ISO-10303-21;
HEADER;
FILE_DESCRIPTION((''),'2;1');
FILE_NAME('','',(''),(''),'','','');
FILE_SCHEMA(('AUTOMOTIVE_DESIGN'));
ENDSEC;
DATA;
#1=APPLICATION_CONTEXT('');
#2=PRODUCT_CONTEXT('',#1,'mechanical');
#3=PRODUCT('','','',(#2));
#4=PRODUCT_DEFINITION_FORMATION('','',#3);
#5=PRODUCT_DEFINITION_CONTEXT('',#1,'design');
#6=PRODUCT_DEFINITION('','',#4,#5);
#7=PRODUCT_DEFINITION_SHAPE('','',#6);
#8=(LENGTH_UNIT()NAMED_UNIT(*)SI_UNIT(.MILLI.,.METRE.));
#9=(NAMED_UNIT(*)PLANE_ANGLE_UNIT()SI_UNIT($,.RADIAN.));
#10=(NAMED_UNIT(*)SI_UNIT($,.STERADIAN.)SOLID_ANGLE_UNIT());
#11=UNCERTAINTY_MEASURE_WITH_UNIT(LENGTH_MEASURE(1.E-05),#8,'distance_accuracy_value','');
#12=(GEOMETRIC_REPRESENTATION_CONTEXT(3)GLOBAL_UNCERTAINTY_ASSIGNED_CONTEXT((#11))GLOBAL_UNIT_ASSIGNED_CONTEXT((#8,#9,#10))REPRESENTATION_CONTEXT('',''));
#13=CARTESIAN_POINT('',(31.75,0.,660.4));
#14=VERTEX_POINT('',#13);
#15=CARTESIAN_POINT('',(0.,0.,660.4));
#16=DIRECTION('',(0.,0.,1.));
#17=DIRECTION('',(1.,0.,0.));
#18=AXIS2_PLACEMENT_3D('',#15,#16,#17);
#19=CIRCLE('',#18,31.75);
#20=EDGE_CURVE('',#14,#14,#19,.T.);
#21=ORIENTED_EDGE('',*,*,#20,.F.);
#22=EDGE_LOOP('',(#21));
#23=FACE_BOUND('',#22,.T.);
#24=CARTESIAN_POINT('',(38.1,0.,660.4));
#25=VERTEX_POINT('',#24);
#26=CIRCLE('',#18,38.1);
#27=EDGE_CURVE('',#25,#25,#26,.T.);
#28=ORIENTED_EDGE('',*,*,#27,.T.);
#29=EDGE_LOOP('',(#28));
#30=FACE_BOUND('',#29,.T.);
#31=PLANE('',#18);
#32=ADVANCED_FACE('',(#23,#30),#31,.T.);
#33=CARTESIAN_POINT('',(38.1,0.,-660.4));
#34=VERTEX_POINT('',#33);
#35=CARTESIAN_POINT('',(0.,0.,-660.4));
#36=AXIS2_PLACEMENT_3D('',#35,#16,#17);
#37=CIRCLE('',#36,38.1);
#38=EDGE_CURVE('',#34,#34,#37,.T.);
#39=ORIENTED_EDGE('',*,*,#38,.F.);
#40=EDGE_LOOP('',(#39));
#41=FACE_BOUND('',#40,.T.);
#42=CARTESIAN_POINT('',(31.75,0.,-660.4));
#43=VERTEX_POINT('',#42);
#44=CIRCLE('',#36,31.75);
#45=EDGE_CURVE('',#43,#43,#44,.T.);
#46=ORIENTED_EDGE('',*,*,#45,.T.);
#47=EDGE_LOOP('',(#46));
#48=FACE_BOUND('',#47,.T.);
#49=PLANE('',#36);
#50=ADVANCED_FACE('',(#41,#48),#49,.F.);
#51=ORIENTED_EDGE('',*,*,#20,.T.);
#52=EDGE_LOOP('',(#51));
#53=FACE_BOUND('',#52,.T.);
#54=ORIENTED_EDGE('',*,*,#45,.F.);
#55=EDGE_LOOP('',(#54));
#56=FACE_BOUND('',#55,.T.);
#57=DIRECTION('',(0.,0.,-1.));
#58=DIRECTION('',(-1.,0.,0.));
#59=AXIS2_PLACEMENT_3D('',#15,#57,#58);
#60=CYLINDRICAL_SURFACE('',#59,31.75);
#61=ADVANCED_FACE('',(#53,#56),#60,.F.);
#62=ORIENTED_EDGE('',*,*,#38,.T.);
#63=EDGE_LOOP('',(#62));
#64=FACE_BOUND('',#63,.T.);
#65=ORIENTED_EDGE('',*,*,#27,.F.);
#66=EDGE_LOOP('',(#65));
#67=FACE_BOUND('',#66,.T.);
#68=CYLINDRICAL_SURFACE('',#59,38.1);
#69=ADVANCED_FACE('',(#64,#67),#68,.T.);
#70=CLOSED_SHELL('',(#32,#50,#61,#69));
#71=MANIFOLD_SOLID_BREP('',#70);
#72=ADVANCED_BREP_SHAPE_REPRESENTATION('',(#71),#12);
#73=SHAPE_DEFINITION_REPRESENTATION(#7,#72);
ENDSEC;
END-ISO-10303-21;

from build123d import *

# Parameters (mm, degrees)
SKETCH1_R           = 38.1
SKETCH1_R_2         = 31.75
BOSS_EXTRUDE1_DEPTH = 660.4


with BuildPart() as part:
    # Sketch1 → Boss-Extrude1 (new, symmetric)
    with BuildSketch(Plane.XY):
        Circle(SKETCH1_R)
        Circle(SKETCH1_R_2, mode=Mode.SUBTRACT)
    extrude(amount=BOSS_EXTRUDE1_DEPTH, both=True)


solid = part.part
